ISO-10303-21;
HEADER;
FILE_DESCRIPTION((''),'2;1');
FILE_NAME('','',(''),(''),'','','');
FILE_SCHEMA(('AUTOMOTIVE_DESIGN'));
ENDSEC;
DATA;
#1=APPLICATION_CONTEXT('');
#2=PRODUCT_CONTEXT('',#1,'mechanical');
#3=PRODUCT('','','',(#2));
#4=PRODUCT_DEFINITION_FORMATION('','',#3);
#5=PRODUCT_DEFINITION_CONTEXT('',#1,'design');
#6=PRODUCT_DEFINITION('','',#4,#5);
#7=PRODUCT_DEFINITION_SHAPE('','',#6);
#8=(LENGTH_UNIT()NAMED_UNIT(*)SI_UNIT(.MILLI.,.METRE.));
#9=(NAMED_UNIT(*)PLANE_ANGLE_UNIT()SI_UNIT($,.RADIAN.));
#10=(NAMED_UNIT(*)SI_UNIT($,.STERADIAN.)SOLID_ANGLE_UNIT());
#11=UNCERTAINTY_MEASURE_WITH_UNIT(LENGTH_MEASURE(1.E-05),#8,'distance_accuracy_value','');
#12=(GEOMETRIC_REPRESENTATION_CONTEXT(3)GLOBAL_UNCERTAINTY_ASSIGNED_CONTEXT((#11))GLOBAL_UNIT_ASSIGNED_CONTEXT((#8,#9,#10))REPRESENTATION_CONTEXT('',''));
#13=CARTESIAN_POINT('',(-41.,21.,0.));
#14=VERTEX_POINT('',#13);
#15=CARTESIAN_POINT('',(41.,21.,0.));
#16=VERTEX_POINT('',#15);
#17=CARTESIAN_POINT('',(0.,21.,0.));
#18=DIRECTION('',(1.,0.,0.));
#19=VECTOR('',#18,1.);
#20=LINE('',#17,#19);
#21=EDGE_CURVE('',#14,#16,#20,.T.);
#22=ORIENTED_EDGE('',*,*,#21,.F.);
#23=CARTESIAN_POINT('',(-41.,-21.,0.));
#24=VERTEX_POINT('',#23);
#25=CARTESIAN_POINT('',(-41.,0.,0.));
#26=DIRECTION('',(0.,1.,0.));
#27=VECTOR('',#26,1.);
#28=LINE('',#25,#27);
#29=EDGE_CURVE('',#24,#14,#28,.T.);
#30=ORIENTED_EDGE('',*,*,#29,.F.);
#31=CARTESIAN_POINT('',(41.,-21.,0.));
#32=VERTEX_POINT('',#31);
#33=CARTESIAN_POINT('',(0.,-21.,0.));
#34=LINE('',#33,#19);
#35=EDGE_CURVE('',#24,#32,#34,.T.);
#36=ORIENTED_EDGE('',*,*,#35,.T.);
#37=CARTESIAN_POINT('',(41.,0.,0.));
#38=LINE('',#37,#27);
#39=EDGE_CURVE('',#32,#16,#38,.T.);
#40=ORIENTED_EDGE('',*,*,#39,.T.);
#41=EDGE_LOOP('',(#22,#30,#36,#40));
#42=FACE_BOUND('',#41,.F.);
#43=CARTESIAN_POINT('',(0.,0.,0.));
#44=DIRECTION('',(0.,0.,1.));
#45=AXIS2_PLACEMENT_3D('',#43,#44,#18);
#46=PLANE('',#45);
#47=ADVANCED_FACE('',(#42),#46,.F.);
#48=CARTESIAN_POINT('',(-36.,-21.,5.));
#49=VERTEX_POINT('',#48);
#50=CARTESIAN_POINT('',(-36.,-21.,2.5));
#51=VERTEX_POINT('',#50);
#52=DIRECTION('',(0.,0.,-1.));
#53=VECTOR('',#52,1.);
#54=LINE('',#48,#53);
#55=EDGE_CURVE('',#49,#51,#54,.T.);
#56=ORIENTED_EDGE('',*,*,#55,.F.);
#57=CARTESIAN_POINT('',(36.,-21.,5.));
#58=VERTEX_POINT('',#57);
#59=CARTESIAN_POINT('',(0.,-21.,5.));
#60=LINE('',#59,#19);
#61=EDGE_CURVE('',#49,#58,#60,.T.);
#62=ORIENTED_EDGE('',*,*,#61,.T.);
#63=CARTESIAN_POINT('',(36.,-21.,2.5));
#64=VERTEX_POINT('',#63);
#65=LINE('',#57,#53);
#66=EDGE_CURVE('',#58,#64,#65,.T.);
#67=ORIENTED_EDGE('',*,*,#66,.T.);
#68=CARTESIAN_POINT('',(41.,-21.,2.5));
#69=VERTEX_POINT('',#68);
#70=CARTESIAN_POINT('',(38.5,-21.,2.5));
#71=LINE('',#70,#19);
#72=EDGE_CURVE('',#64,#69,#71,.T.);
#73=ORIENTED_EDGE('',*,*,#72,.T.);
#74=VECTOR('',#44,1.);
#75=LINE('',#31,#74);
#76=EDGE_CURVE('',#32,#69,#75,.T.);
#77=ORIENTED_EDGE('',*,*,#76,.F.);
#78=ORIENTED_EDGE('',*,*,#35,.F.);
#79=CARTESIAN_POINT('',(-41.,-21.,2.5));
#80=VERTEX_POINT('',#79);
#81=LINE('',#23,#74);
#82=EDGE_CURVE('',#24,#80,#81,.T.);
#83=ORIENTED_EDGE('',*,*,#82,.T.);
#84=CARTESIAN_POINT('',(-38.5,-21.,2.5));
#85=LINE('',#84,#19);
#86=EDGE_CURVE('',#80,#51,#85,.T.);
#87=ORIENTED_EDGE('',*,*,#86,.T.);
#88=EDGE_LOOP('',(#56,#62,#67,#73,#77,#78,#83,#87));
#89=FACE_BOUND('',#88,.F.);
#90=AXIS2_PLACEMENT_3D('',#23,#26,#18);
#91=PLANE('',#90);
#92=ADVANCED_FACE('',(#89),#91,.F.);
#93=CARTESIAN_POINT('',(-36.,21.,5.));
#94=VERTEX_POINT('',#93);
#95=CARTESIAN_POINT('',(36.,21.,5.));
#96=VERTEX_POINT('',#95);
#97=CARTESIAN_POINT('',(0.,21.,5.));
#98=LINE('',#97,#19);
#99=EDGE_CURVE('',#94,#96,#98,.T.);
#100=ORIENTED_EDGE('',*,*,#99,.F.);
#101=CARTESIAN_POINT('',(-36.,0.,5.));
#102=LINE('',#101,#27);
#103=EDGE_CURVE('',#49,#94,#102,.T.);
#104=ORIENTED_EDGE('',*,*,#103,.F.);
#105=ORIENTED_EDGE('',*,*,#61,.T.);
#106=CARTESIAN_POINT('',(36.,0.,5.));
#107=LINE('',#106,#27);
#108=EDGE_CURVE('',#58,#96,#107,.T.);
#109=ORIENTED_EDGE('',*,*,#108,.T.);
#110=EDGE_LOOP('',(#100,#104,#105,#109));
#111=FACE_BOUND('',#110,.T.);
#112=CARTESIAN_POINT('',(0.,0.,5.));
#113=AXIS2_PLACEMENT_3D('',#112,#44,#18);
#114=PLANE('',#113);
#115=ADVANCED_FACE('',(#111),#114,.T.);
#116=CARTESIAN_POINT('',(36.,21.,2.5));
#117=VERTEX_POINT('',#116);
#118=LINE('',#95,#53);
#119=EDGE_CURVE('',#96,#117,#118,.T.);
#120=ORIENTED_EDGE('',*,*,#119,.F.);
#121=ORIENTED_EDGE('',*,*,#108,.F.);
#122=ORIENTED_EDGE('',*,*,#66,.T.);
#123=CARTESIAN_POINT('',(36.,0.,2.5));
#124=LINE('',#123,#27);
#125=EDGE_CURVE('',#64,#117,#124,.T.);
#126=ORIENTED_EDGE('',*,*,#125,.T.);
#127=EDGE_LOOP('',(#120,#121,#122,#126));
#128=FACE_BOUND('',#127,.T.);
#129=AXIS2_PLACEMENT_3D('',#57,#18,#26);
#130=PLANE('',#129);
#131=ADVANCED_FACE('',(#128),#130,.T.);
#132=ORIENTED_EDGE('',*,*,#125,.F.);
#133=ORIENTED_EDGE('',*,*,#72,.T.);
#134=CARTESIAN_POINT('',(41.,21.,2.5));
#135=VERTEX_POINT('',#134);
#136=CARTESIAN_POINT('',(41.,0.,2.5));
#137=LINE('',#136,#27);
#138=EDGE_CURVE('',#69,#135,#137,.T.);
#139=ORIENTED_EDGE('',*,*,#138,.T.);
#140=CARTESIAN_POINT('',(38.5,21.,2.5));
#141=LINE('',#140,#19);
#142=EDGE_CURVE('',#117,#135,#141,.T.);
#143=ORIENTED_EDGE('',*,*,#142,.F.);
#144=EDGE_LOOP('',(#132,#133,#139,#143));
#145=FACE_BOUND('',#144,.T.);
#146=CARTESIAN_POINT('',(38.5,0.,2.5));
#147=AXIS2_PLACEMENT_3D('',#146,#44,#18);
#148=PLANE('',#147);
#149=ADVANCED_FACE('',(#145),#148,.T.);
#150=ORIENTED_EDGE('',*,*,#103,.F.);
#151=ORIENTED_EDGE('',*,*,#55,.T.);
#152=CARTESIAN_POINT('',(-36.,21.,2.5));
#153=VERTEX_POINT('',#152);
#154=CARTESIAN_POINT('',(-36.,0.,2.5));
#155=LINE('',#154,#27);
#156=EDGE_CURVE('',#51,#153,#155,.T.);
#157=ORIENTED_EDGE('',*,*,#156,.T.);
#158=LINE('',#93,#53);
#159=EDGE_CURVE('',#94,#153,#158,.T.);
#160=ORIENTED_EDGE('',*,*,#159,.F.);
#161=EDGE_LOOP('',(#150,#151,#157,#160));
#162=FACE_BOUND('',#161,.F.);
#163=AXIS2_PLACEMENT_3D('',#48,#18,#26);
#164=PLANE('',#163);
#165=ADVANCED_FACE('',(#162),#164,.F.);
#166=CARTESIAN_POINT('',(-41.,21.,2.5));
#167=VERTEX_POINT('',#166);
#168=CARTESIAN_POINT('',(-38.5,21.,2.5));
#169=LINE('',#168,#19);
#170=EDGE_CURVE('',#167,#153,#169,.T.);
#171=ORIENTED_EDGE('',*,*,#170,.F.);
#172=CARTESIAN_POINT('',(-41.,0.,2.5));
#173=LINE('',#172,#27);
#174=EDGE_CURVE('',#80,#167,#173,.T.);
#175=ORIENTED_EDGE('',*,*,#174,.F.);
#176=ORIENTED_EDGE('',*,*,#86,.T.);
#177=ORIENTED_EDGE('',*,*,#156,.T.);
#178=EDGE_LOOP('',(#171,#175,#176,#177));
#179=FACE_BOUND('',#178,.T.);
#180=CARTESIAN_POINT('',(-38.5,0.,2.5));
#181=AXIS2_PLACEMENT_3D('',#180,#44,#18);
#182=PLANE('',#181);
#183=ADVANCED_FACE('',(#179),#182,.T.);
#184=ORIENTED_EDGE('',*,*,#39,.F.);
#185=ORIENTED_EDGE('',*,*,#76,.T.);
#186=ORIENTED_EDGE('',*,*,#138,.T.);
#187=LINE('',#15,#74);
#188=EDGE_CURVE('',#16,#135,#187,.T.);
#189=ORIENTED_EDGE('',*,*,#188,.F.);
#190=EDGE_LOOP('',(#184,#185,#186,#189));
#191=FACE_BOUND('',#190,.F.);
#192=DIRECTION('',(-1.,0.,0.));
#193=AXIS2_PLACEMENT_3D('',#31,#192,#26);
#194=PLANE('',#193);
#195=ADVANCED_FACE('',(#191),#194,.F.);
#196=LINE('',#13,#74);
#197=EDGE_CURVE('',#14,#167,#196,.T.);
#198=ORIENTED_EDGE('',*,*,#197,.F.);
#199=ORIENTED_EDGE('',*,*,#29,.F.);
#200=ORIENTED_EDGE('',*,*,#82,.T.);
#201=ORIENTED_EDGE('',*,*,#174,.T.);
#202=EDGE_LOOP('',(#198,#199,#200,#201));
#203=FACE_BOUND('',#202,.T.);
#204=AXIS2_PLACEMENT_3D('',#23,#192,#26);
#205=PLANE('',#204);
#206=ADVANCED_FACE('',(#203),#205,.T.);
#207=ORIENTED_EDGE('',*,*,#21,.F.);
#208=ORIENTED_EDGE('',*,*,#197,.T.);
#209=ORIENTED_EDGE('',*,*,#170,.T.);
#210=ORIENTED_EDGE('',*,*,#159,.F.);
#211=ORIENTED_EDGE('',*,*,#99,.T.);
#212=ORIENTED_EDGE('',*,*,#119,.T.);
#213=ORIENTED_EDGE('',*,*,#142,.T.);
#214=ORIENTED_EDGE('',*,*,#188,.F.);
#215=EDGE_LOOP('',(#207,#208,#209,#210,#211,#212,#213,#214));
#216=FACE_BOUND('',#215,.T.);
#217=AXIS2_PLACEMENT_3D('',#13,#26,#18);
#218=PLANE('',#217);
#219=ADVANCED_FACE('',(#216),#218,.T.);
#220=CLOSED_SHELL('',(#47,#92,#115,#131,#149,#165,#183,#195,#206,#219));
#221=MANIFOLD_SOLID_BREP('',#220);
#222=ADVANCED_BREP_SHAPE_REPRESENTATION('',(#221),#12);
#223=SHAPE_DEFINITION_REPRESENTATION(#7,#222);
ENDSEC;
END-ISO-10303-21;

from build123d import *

# Parameters (mm, degrees)
SKETCH_W     = 82
SKETCH_H     = 42
PAD_DEPTH    = 5
SKETCH001_W  = 5
SKETCH001_H  = 42
POCKET_DEPTH = 2.5


with BuildPart() as part:
    # Sketch → Pad (new body)
    with BuildSketch(Plane.XY):
        Rectangle(SKETCH_W, SKETCH_H)
    extrude(amount=PAD_DEPTH)

    # Sketch001 → Pocket (cut)
    with BuildSketch(Plane.XY.offset(5)):
        with Locations((-38.5, 0)):
            Rectangle(SKETCH001_W, SKETCH001_H)
        with Locations((38.5, 0)):
            Rectangle(SKETCH001_W, SKETCH001_H)
    extrude(amount=-POCKET_DEPTH, mode=Mode.SUBTRACT)


solid = part.part
